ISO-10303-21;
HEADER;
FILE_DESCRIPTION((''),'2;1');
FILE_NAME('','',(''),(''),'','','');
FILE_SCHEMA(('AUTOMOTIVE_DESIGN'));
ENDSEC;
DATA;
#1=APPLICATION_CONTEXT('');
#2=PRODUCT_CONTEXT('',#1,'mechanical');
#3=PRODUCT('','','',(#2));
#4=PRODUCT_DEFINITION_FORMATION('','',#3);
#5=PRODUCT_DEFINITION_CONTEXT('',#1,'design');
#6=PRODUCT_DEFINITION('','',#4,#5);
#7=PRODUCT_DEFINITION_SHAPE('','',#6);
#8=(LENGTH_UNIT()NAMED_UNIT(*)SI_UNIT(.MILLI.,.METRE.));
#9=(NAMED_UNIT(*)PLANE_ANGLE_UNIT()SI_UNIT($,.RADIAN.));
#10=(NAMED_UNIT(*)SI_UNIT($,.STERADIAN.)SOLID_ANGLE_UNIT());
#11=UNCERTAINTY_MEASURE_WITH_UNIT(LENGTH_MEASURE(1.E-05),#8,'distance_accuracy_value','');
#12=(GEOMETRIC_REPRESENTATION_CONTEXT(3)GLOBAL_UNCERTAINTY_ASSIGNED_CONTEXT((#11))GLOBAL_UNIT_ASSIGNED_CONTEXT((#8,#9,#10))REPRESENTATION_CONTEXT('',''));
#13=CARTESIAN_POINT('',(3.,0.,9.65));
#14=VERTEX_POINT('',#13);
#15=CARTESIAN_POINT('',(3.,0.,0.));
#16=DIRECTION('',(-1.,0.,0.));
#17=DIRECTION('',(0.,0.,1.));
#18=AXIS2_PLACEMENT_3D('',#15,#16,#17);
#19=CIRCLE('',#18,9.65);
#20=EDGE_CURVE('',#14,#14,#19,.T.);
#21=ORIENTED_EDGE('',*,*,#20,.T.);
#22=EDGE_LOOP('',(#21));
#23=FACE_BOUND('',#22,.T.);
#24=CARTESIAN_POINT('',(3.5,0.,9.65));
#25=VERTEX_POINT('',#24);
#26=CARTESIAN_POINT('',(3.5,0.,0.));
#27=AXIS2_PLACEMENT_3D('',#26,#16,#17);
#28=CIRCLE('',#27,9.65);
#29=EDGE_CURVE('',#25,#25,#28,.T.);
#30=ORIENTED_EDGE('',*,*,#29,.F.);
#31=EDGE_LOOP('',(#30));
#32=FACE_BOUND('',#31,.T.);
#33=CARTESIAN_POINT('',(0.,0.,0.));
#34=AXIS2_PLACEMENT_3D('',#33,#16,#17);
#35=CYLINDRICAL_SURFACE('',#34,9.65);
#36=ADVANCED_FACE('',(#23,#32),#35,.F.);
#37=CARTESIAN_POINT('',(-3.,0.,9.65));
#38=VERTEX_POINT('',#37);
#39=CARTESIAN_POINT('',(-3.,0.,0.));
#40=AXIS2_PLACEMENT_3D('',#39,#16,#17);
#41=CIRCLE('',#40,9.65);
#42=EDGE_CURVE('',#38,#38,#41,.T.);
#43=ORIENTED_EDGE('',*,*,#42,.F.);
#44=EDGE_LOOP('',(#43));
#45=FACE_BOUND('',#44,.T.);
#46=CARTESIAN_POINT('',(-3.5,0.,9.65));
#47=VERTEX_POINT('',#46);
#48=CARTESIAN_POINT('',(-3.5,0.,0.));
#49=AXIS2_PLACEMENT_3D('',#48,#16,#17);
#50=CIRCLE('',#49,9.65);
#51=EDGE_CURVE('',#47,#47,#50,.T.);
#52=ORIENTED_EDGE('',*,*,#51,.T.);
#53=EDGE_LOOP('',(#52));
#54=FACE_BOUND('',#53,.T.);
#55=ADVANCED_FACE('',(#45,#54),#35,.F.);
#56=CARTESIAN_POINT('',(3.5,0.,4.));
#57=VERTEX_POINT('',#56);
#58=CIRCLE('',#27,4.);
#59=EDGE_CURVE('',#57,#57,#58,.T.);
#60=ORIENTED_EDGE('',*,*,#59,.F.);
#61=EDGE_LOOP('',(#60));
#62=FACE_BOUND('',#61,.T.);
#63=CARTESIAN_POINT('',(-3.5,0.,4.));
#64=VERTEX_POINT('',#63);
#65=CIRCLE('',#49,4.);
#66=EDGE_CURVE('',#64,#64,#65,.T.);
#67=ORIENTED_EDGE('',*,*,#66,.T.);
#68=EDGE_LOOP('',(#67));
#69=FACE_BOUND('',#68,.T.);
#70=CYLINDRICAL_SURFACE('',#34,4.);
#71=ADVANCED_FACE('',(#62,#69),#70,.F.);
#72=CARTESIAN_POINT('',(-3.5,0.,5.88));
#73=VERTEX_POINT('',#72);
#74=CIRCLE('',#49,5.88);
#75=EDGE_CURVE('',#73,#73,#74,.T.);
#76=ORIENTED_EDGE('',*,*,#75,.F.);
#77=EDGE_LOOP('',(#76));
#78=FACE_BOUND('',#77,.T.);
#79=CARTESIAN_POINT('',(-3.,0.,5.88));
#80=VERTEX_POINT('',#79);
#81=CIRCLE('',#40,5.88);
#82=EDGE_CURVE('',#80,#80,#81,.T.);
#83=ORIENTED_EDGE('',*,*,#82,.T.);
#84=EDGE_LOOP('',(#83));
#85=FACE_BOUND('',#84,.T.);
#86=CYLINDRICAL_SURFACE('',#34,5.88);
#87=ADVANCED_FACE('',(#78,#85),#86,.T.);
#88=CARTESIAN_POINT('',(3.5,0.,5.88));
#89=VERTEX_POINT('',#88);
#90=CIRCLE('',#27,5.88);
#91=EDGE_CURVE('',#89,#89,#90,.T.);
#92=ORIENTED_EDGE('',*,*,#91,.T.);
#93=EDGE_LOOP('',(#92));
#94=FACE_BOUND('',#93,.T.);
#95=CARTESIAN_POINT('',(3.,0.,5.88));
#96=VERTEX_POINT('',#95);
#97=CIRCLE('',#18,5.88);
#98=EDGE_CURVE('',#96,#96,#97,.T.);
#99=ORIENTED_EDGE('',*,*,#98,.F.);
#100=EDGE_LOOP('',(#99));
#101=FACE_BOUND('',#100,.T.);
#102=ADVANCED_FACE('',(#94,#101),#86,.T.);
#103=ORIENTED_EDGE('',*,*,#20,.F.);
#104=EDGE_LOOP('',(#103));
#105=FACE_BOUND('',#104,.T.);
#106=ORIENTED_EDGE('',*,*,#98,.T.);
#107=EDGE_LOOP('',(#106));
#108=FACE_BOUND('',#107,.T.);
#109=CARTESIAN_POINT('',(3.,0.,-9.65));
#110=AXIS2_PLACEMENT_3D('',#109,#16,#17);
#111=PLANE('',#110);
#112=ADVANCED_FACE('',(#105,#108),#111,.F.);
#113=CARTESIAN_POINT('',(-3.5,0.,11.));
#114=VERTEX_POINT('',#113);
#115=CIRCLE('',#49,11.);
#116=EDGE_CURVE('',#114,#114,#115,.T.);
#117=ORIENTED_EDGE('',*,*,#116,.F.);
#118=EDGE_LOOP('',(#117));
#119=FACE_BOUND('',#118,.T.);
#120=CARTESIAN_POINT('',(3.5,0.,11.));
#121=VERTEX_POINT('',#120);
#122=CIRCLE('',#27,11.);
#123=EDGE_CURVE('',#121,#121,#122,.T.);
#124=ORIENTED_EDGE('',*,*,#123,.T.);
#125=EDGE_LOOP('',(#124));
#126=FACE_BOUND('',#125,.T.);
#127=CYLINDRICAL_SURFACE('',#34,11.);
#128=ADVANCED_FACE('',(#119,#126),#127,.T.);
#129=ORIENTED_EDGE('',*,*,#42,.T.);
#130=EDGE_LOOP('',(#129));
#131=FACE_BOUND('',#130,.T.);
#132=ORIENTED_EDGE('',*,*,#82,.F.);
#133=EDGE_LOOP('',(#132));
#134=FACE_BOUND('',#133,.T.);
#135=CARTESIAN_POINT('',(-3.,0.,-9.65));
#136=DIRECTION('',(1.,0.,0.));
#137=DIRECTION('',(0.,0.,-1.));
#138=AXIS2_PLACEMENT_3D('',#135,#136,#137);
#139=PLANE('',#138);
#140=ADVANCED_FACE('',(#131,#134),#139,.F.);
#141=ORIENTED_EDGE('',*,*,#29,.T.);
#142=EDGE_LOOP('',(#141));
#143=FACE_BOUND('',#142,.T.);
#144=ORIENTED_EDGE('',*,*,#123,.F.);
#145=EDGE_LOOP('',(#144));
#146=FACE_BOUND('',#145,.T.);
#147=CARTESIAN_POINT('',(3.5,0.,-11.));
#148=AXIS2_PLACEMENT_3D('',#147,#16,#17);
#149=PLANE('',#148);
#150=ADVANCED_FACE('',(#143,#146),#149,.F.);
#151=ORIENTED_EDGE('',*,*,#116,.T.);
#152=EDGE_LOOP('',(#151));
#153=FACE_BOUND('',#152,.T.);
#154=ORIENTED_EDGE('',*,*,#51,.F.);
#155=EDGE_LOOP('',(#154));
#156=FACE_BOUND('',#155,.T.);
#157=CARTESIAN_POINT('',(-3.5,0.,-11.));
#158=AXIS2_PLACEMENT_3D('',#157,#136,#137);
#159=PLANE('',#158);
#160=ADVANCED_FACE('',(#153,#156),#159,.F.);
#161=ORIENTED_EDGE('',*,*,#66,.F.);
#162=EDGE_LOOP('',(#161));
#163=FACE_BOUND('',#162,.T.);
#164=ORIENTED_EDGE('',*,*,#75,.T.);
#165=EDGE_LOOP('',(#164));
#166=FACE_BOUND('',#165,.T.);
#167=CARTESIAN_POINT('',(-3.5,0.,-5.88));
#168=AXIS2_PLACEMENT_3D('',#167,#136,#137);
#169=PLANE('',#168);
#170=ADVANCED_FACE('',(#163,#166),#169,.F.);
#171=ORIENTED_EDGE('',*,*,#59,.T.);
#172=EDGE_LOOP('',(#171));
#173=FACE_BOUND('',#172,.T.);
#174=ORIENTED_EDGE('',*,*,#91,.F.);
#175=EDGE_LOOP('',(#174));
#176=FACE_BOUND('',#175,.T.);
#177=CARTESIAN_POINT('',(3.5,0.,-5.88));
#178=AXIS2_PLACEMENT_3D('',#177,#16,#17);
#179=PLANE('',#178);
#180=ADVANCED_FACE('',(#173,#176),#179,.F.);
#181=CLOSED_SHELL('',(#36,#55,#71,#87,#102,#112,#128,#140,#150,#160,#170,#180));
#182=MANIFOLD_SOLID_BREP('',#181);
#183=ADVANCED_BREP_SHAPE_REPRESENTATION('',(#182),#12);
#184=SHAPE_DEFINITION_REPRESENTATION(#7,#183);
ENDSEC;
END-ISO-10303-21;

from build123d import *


with BuildPart() as part:
    # Sketch2 → Revolve2 (revolve)
    with BuildSketch(Plane(origin=(0, 0, 0), x_dir=(1, 0, 0), z_dir=(0, 1, 0)), mode=Mode.PRIVATE) as revolve2_sk:
        Polygon((3, 9.65), (3.5, 9.65), (3.5, 11), (-3.5, 11), (-3.5, 9.65), (-3, 9.65), (-3, 5.88), (-3.5, 5.88), (-3.5, 4), (3.5, 4), (3.5, 5.88), (3, 5.88), align=None)
    revolve(revolve2_sk.sketch.rotate(Axis((0, 0, 0), (1, 0, 0)), 180), axis=Axis((0, 0, 0), (1, 0, 0)))


solid = part.part
